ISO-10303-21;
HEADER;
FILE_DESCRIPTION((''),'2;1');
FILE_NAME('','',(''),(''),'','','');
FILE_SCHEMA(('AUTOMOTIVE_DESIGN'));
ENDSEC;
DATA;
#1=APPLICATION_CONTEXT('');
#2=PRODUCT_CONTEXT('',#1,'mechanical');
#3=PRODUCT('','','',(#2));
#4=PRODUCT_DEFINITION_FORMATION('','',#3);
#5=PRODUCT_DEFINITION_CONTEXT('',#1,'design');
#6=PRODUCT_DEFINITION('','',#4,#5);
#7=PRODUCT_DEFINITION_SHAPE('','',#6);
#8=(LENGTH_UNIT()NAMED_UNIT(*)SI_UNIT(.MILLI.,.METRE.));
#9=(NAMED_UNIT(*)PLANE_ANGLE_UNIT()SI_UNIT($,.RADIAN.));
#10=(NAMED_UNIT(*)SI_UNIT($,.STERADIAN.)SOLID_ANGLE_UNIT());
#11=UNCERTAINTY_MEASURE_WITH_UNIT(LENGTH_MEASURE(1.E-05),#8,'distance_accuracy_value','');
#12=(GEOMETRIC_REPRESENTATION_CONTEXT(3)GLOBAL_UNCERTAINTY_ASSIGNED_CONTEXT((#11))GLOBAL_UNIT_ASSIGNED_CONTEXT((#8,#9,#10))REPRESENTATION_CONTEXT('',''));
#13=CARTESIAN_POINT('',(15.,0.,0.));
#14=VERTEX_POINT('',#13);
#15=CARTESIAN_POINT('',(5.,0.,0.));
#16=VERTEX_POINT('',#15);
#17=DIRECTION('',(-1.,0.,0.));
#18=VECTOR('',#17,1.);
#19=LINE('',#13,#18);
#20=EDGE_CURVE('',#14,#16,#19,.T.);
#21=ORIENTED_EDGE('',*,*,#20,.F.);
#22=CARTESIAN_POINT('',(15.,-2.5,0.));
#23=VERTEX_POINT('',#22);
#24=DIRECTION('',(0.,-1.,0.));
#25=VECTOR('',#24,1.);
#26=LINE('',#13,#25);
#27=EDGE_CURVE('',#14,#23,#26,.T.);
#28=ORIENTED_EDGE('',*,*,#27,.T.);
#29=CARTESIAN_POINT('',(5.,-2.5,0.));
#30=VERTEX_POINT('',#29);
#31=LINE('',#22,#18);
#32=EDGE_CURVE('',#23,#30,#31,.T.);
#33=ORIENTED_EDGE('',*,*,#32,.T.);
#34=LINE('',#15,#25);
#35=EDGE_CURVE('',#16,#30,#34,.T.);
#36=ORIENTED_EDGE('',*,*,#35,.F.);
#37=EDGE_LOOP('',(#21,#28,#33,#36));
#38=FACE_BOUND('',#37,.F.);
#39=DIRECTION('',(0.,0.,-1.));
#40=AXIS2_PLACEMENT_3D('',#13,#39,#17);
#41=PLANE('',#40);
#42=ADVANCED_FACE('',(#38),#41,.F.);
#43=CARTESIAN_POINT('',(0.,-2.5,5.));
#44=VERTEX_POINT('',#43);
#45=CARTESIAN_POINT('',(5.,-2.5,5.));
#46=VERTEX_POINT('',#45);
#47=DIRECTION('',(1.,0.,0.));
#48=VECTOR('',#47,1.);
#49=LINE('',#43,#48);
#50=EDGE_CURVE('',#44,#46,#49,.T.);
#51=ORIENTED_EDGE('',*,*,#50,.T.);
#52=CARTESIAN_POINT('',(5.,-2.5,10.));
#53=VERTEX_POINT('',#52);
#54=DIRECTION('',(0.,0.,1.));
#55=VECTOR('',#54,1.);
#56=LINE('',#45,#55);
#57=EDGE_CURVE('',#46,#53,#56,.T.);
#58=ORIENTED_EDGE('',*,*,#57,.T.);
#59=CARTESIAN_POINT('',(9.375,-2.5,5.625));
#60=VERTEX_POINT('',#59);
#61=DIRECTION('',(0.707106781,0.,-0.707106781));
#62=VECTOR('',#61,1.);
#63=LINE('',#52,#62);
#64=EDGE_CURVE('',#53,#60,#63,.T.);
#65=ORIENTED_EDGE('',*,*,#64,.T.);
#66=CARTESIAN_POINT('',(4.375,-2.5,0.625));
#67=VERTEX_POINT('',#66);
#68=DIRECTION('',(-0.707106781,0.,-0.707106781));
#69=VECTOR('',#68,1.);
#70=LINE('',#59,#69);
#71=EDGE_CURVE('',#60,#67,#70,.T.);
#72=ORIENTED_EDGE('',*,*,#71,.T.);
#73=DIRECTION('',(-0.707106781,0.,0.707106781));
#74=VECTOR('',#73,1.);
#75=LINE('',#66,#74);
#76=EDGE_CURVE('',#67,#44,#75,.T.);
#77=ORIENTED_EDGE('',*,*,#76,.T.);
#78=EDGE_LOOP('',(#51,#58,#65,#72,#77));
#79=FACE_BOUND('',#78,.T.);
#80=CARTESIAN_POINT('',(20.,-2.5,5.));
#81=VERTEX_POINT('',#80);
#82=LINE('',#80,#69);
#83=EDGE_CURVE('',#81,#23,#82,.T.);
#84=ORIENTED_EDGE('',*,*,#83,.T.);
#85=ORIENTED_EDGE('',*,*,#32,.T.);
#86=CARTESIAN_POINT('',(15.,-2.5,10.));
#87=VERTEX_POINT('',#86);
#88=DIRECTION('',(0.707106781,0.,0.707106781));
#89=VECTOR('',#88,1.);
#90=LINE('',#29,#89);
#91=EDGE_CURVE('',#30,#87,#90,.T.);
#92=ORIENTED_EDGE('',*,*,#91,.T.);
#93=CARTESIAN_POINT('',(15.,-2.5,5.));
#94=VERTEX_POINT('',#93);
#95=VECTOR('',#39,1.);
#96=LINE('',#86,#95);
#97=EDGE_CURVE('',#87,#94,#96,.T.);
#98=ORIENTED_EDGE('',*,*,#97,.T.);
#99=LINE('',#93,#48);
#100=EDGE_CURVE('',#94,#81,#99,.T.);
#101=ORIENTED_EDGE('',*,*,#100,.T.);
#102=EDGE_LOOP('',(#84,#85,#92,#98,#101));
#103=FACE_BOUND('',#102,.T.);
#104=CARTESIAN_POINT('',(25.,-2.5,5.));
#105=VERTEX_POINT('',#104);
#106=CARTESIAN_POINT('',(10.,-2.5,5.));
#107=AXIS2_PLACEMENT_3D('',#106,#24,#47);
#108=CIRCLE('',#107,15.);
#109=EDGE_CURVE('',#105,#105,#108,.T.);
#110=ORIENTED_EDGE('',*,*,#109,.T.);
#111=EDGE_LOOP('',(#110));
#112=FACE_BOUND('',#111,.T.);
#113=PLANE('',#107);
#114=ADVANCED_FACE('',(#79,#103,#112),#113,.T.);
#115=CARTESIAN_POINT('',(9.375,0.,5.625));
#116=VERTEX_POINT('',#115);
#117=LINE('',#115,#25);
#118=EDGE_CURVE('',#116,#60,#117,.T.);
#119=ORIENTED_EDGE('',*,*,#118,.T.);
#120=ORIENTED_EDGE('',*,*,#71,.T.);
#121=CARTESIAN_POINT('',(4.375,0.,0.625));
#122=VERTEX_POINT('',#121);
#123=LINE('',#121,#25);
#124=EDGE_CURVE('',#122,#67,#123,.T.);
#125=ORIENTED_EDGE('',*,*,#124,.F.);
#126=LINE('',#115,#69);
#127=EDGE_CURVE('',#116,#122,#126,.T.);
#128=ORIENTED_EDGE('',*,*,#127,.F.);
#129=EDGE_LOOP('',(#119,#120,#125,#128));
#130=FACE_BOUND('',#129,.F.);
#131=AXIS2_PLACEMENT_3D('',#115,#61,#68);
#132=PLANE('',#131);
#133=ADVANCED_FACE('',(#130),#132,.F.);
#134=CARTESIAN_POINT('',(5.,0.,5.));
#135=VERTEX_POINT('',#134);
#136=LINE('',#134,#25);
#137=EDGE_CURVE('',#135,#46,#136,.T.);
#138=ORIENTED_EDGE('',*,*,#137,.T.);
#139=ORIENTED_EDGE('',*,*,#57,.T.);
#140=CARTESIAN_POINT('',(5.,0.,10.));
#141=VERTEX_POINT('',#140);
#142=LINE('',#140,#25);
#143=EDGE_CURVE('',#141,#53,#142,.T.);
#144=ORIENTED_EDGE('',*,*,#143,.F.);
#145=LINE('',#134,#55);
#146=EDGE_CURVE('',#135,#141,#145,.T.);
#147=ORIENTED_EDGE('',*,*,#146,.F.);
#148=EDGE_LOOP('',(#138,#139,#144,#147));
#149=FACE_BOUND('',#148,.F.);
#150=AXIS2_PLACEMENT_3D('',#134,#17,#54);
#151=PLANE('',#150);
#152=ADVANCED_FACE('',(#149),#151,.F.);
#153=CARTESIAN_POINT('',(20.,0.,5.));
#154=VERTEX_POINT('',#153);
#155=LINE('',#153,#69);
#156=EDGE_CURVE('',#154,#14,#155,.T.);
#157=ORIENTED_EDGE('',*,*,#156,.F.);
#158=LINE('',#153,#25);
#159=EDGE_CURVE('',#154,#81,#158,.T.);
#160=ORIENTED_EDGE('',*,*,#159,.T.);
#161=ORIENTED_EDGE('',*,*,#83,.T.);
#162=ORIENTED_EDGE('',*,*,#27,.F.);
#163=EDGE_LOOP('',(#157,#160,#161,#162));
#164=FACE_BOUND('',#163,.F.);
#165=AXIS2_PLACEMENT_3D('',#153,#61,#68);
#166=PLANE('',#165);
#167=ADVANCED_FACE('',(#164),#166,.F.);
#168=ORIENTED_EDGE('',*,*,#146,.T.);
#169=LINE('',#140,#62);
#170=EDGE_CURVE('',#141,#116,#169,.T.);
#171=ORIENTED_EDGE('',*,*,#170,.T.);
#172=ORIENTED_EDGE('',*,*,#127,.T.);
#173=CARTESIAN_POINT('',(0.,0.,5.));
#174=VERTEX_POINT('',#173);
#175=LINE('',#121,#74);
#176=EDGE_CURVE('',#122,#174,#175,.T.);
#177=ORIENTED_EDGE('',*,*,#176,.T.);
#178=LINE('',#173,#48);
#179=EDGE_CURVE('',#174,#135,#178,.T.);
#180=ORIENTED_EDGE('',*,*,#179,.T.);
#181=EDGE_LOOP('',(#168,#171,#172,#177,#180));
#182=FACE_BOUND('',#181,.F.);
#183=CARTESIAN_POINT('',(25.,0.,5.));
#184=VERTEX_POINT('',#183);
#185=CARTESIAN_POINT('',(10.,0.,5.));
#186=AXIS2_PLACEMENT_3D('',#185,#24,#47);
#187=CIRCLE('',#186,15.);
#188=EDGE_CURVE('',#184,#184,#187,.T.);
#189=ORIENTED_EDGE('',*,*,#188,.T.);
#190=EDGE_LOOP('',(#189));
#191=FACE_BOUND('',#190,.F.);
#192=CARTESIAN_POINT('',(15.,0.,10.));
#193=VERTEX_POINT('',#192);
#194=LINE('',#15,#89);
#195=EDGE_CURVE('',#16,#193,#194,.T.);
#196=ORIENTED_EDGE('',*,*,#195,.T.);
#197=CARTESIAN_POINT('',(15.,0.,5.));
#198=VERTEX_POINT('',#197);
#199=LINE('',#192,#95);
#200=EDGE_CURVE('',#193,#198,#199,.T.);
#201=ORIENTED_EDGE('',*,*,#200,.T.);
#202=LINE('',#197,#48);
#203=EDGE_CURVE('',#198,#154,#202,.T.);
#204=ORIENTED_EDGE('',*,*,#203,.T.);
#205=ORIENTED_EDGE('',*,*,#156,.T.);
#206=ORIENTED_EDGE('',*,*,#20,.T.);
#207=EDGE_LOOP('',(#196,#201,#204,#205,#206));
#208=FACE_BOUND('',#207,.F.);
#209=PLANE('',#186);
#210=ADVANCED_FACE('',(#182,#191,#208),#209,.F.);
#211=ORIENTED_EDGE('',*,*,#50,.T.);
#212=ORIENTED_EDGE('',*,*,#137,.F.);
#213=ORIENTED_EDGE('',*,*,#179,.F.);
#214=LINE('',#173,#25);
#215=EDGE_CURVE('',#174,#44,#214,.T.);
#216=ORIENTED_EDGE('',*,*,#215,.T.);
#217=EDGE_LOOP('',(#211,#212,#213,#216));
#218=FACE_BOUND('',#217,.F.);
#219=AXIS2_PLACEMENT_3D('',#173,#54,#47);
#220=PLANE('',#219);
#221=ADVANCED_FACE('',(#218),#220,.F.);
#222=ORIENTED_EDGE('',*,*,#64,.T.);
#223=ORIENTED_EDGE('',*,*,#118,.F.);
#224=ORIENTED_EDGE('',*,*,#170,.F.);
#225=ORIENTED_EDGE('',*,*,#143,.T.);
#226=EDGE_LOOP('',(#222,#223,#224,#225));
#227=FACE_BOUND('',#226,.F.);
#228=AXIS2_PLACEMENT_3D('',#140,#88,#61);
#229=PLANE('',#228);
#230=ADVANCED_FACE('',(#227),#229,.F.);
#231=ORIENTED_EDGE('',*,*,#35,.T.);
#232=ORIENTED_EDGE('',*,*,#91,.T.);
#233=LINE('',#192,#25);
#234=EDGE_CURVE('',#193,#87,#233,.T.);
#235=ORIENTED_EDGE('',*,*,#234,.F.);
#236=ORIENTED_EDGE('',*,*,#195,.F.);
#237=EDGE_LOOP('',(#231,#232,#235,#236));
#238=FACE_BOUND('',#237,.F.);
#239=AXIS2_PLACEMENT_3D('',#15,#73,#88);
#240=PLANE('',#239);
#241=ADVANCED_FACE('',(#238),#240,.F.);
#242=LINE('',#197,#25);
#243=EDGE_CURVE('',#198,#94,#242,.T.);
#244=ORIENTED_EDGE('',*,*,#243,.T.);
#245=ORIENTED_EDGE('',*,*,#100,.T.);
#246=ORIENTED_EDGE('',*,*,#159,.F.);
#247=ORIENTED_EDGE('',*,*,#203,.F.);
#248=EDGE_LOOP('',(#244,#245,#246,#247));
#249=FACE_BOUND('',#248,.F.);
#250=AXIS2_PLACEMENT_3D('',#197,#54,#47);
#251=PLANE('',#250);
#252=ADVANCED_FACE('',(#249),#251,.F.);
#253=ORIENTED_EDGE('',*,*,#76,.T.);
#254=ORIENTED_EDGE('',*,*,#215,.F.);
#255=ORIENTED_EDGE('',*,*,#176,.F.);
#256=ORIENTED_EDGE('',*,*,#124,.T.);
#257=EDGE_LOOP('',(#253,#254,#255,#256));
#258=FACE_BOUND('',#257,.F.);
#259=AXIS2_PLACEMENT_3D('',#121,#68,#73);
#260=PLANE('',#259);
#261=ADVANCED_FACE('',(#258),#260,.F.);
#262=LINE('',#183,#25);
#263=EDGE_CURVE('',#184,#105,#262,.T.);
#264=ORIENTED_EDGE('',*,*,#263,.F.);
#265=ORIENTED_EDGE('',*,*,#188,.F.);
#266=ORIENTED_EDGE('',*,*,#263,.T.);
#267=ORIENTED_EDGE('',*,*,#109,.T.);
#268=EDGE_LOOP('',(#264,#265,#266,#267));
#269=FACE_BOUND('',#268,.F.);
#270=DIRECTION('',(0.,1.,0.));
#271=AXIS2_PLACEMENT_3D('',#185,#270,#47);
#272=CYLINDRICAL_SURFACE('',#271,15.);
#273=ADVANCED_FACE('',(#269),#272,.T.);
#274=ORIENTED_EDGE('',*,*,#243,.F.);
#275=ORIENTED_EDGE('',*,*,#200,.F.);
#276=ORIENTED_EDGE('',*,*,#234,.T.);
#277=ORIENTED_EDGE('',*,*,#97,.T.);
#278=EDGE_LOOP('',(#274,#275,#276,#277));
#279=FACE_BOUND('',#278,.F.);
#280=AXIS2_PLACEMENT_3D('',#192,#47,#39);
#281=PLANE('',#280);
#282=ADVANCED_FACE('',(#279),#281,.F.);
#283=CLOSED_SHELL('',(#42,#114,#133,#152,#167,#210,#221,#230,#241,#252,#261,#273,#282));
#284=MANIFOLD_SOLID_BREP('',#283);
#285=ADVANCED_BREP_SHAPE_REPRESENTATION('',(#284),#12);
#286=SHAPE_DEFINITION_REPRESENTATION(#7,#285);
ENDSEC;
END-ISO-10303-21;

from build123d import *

# Parameters (mm, degrees)
F1_R     = 15
F2_DEPTH = 2.5


with BuildPart() as f2:
    # F1 (on Front) → F2 (new body)
    with BuildSketch(Plane.XZ):
        with Locations((10, 5)):
            Circle(F1_R)
        Polygon((4.375, 0.625), (0, 5), (5, 5), (5, 10), (9.375, 5.625), align=None, mode=Mode.SUBTRACT)
        Polygon((15, 0), (5, 0), (15, 10), (15, 5), (20, 5), align=None, mode=Mode.SUBTRACT)
    extrude(amount=F2_DEPTH)


solid = f2.part
